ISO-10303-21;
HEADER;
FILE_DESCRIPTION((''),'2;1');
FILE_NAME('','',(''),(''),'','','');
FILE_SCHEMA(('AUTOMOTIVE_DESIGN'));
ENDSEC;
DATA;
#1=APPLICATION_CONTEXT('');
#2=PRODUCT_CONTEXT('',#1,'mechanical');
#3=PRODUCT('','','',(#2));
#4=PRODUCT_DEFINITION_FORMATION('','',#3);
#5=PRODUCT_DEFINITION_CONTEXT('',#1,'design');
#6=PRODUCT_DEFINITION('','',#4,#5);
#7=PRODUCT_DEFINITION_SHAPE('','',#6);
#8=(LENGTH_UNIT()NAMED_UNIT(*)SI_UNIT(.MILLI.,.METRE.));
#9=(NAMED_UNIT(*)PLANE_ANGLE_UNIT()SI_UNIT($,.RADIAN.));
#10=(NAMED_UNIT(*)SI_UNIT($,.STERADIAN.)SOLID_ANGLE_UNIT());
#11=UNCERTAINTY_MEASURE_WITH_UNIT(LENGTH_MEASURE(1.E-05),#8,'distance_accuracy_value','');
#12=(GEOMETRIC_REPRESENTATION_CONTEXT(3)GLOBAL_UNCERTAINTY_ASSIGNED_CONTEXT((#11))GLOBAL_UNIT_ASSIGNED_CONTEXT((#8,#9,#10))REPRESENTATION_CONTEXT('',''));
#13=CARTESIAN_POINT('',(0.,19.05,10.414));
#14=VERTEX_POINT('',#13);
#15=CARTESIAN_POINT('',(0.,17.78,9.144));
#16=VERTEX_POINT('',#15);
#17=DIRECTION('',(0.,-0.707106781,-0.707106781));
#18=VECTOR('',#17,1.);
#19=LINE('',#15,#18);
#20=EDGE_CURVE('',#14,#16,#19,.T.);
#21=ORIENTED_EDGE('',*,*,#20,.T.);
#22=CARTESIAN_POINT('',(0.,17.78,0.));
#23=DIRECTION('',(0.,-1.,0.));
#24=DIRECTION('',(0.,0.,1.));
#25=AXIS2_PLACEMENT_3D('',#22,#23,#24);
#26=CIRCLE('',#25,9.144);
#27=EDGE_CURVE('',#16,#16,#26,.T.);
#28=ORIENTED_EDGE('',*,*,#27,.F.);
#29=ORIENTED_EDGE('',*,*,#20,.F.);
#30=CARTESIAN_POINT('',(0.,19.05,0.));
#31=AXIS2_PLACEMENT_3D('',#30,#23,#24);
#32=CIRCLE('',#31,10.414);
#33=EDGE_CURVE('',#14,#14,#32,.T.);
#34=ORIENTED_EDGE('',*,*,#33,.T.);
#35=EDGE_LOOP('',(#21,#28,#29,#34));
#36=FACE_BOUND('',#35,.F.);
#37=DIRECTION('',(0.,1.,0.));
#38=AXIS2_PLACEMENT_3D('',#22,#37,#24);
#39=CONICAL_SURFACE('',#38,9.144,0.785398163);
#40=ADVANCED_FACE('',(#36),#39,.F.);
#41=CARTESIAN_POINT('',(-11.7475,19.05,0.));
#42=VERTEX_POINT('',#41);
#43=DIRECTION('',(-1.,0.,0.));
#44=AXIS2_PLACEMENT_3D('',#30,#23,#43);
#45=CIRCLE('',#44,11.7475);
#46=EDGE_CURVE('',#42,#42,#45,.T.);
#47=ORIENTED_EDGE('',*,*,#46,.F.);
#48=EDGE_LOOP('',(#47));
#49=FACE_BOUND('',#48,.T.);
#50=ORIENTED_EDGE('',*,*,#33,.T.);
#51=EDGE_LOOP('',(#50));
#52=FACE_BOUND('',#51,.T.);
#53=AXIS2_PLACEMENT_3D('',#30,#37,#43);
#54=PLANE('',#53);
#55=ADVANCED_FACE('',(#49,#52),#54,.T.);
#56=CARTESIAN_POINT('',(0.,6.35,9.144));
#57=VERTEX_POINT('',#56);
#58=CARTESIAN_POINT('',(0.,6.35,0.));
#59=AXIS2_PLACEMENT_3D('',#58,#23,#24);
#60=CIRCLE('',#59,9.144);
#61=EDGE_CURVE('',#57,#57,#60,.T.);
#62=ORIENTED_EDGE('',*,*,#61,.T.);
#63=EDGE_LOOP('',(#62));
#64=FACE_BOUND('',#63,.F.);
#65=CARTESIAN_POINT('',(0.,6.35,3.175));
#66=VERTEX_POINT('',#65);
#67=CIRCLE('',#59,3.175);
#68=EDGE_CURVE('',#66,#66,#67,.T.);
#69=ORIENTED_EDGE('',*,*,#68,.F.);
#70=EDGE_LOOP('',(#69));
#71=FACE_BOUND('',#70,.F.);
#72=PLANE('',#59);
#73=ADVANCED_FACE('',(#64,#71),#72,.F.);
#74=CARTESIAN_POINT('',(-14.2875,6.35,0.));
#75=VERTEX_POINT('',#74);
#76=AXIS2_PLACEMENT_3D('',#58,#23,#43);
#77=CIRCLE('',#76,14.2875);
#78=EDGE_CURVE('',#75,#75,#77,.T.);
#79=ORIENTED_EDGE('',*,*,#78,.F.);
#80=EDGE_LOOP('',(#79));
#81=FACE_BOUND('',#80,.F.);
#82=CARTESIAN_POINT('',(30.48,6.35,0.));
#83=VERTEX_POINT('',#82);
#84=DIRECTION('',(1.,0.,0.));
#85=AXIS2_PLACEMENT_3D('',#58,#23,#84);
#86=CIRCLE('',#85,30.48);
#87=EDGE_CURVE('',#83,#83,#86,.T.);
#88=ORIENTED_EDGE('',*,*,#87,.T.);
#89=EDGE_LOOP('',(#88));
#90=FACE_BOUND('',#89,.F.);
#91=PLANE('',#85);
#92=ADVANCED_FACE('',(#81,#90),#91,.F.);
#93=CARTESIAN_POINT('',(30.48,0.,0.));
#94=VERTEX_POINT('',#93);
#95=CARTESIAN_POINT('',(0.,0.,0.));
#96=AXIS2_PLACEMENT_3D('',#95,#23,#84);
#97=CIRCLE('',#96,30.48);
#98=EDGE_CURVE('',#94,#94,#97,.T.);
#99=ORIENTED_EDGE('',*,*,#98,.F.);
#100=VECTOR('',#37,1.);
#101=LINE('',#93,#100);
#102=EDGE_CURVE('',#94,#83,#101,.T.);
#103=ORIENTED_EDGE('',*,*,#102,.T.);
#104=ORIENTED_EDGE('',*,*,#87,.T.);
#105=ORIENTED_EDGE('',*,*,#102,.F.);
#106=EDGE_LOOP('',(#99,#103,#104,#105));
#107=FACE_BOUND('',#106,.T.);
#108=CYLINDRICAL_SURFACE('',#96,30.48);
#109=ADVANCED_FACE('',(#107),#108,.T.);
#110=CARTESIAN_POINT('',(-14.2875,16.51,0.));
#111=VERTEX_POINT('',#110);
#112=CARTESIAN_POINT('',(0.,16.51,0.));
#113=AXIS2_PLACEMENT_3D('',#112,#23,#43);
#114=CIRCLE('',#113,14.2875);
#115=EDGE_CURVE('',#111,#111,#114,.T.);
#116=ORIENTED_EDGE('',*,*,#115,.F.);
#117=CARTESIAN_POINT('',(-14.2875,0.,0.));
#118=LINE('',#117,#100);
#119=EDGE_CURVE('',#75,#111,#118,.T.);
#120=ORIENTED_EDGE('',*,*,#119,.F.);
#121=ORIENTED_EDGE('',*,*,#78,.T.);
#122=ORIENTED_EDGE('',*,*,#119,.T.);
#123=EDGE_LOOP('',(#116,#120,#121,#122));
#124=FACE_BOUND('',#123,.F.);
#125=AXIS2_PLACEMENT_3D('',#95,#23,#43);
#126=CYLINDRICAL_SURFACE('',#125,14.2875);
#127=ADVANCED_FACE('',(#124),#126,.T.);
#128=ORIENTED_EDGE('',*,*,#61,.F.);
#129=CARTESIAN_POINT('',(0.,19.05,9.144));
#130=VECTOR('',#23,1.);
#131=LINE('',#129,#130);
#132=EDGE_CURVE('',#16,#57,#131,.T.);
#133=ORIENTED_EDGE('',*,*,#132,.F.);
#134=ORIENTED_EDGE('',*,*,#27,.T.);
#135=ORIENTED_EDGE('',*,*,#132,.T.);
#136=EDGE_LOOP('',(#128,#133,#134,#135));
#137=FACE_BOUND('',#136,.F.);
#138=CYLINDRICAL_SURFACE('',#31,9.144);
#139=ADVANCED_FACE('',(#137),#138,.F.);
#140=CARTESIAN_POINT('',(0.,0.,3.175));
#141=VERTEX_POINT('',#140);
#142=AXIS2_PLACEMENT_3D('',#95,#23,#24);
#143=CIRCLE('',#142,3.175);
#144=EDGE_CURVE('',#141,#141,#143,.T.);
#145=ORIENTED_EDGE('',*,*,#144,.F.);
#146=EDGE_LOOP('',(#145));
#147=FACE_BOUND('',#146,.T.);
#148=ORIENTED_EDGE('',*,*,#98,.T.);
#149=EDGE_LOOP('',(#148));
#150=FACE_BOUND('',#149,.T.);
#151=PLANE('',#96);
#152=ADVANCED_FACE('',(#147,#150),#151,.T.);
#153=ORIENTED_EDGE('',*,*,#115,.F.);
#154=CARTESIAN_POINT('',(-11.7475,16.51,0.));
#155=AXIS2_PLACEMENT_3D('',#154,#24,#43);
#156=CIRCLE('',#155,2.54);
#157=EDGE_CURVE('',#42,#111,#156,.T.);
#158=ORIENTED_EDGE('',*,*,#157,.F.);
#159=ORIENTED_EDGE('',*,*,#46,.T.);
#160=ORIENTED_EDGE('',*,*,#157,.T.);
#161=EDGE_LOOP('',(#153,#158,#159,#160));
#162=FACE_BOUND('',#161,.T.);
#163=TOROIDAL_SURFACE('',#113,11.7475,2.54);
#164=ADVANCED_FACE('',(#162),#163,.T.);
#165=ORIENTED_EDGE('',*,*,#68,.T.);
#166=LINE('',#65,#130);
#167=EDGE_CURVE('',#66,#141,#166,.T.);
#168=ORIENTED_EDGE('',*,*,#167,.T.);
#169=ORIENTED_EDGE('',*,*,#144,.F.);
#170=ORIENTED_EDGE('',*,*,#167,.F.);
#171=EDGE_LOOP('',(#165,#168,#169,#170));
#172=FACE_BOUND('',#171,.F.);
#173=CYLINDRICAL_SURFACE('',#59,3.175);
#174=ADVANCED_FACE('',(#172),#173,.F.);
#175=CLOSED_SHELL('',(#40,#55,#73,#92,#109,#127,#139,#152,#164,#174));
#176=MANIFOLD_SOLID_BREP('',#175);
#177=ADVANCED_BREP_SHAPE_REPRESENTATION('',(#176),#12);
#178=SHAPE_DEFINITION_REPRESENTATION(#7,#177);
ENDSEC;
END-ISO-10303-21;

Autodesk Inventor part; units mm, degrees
ref_plane "YZ Plane" through (0, 0, 0) normal (1, 0, 0) x (0, 1, 0)
ref_plane "XZ Plane" through (0, 0, 0) normal (0, 1, 0) x (-1, 0, 0)
ref_plane "XY Plane" through (0, 0, 0) normal (0, 0, 1) x (1, 0, 0)
sketch "Sketch1" plane through (0, 0, 0) normal (0, 1, 0) x (-1, 0, 0)
  line L0 (0, -20.0025) -> (0, 20.0025) projected
  line L1 (-20.0025, 0) -> (20.0025, 0) projected
  circle A0 centre (0, 0) radius 14.2875
  dimension "d0" = 28.575
extrude "Extrusion1" add sketch "Sketch1" along normal blind 19.05
sketch "Sketch2" plane through (0, 19.05, 0) normal (0, 1, 0) x (1, 0, 0)
  line L0 (0, 20.0025) -> (0, -20.0025) projected
  line L1 (20.0025, 0) -> (-20.0025, 0) projected
  point P0 (0, 0)
sketch "Sketch3" plane through (0, 19.05, 0) normal (0, 1, 0) x (1, 0, 0)
  point P0 (0, 0)
hole "Hole1" at (0, 19.05, 0) direction (0, -1, 0) diameter 6.35 end through all counterbore diameter 18.288 counterbore depth 12.7
chamfer "Chamfer1" distance 1.27 angle 45 1 edges at (0, 19.05, -9.144)
fillet "Fillet1" radius 2.54 1 edges at (14.2875, 19.05, 0)
sketch "Sketch4" plane through (0, 0, 0) normal (0, -1, 0) x (1, 0, 0)
  circle A0 centre (0, 0) radius 14.2875 projected
  circle A1 centre (0, 0) radius 30.48
  dimension "d14" = 60.96
extrude "Extrusion2" add sketch "Sketch4" against normal blind 6.35
properties material "ABS, BEIGE"
